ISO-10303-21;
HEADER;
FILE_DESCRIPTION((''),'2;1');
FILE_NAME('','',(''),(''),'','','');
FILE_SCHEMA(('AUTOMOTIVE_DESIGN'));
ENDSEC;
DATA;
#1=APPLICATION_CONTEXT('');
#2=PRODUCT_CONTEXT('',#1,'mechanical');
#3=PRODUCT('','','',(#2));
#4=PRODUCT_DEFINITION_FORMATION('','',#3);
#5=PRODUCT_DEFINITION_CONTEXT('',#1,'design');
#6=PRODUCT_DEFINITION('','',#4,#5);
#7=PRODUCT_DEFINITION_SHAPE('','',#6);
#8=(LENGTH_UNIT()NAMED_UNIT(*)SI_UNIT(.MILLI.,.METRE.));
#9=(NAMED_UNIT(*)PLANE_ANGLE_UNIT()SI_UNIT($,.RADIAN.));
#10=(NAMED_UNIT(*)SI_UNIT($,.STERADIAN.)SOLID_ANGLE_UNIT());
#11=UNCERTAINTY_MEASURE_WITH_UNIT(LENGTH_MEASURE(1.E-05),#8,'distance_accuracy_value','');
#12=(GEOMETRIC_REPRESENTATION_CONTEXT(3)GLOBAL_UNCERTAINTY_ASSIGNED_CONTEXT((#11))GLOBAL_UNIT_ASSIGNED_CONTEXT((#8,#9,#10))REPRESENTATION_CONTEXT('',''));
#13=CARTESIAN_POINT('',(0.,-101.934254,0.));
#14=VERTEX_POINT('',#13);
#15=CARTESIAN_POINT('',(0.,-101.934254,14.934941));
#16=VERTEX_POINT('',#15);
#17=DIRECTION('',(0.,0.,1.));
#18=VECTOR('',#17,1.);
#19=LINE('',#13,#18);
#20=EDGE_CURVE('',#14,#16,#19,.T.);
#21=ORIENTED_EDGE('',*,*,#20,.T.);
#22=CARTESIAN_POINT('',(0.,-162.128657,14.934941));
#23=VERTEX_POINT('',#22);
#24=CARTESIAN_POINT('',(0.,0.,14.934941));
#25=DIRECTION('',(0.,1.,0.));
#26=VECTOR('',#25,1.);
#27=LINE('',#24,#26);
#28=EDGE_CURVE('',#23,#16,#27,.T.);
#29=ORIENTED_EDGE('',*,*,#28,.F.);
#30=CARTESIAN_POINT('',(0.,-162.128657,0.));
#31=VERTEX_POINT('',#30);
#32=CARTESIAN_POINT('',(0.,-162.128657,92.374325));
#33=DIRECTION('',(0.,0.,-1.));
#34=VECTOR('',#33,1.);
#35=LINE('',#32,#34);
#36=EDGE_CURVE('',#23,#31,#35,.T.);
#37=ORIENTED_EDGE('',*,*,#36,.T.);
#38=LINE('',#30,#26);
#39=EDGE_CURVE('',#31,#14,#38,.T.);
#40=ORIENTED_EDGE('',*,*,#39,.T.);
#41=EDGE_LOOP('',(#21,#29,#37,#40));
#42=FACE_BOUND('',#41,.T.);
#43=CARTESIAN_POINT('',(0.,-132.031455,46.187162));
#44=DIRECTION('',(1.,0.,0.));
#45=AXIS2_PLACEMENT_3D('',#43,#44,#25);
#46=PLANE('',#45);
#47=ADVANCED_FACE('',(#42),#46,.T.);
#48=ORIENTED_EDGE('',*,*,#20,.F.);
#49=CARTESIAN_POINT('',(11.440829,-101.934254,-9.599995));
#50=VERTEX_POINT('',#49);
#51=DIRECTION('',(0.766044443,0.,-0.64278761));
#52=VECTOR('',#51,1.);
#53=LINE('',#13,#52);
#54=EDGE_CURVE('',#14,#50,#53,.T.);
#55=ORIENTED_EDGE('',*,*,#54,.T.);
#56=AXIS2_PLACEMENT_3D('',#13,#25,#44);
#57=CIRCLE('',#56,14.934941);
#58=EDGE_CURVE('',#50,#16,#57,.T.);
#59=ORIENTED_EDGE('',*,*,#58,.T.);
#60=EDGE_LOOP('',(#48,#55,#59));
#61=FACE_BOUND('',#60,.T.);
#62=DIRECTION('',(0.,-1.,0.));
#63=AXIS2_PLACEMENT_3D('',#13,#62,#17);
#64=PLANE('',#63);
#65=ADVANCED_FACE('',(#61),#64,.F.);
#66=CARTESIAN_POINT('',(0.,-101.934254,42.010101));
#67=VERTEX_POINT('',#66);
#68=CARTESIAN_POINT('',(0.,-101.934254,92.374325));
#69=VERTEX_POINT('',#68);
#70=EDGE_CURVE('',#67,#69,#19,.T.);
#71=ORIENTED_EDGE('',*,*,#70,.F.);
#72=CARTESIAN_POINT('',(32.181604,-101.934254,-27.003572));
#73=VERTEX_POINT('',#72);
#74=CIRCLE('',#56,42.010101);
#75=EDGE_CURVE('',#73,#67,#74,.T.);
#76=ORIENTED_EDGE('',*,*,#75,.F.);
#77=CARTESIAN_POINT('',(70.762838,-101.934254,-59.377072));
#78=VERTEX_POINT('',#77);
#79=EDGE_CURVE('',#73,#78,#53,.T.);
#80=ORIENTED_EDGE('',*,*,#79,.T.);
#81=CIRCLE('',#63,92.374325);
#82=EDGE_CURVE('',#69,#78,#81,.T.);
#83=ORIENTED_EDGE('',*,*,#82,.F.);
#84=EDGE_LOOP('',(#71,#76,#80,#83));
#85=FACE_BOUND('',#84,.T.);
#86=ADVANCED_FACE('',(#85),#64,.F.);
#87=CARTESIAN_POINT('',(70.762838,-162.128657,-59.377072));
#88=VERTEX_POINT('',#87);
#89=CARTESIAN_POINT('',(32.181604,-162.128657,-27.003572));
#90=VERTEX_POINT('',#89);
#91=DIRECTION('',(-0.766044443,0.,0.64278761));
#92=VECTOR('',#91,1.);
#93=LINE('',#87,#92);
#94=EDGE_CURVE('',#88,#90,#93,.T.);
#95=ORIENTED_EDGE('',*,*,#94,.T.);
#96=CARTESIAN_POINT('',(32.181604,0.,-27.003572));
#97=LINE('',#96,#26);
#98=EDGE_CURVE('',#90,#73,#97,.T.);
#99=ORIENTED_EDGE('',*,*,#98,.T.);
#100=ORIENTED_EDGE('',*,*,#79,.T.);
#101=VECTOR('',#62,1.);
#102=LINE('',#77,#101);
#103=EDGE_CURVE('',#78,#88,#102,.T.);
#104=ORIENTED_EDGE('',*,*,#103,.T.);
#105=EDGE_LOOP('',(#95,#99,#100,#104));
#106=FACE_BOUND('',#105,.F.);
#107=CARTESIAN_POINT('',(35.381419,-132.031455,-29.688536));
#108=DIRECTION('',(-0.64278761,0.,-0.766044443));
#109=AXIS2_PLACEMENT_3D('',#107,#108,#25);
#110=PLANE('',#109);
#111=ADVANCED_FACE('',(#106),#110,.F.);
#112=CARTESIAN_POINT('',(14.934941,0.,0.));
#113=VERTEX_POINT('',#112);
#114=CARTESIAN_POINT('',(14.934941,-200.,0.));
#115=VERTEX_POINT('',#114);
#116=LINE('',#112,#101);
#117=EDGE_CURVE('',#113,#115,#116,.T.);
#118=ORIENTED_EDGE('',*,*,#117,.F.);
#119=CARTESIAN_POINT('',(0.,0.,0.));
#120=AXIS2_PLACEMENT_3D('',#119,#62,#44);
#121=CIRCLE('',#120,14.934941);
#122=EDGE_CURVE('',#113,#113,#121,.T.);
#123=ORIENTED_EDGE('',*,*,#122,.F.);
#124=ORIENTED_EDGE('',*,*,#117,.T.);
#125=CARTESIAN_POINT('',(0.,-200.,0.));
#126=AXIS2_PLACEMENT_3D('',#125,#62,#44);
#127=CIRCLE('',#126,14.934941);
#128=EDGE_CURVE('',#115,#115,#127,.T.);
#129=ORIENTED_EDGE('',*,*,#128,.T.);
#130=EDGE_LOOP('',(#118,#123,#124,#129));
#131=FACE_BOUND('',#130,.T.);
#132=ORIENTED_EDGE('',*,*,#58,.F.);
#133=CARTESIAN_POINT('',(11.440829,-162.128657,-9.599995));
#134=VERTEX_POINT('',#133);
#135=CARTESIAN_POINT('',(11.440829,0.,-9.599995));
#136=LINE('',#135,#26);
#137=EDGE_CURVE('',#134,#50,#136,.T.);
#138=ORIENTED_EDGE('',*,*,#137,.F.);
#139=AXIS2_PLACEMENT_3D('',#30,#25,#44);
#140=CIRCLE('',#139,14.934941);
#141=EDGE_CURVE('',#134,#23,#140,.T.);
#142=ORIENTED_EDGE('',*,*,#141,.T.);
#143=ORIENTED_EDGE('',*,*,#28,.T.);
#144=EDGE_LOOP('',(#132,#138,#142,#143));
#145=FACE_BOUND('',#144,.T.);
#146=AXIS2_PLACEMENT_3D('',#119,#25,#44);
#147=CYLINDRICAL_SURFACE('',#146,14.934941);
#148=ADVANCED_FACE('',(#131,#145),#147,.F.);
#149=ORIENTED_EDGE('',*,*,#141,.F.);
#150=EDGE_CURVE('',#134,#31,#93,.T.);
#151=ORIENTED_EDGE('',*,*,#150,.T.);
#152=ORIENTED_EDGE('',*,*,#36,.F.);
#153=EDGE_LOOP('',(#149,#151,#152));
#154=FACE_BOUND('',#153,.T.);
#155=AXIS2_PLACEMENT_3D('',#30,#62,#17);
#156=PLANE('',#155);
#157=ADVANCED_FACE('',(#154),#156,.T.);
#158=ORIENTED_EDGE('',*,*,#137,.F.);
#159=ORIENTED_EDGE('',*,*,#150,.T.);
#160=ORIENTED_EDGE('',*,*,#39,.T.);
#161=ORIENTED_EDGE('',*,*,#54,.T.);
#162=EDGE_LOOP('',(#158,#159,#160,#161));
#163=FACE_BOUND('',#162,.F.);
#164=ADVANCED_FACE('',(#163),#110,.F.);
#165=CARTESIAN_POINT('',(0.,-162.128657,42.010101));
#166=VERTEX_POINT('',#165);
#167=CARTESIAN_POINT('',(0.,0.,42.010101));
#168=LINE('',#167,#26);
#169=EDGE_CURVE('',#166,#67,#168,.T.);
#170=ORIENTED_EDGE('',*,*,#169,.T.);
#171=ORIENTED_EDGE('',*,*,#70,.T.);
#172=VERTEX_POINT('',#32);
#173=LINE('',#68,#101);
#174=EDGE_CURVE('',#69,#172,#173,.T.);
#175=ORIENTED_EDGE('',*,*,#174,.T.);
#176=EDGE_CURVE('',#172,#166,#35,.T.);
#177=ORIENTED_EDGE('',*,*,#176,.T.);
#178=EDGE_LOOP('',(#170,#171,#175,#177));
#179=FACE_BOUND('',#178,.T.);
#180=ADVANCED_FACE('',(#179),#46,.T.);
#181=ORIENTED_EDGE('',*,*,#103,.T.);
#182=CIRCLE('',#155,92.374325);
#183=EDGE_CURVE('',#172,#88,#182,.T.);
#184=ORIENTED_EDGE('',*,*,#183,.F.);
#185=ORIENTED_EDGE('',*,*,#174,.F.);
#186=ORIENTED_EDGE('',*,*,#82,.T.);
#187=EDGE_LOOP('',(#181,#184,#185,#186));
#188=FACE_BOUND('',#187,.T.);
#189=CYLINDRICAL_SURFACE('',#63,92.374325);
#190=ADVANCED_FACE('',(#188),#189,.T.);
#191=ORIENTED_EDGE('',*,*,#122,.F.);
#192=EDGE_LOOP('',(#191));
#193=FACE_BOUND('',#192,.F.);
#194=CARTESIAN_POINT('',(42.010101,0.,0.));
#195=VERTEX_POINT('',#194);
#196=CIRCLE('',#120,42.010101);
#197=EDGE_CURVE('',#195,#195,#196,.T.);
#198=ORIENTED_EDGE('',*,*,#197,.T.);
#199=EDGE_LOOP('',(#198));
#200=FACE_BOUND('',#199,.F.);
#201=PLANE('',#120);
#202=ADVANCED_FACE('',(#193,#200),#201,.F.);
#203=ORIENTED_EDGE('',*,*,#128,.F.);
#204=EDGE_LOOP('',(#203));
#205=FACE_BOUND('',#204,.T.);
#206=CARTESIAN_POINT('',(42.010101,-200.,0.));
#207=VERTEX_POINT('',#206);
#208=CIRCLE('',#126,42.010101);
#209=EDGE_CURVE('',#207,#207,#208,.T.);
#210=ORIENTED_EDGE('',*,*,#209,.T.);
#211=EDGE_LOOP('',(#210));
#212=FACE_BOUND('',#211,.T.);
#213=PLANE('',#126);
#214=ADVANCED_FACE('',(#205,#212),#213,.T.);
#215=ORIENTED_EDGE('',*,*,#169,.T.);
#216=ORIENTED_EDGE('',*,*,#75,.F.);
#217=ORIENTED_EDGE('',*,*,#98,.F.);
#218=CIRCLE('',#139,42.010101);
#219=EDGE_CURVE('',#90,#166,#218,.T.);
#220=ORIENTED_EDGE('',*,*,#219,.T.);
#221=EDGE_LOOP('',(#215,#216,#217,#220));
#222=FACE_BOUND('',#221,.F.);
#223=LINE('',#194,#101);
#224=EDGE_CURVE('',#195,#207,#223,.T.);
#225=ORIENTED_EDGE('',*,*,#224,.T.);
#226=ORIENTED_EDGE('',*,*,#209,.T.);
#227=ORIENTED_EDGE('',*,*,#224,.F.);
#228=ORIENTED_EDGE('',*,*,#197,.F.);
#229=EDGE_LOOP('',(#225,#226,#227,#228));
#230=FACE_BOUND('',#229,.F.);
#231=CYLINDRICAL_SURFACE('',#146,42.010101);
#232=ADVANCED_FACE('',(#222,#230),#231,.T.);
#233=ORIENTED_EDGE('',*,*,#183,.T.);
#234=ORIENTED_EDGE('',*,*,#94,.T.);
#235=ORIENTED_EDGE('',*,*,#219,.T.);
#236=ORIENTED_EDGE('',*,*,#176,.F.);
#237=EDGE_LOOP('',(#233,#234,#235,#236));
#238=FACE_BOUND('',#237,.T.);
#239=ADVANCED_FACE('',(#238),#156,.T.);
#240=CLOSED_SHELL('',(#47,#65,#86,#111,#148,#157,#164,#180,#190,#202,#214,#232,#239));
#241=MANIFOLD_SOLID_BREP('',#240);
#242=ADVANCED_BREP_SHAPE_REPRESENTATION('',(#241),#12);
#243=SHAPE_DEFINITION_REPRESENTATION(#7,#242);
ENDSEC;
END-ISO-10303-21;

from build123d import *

# Parameters (mm, degrees)
F0_R     = 42.010101
F0_R_2   = 14.934941
F1_DEPTH = 200
F3_ANGLE = 230


with BuildPart() as f1:
    # F0 (on Front) → F1 (new body)
    with BuildSketch(Plane.XZ):
        Circle(F0_R)
        Circle(F0_R_2, mode=Mode.SUBTRACT)
    extrude(amount=F1_DEPTH)

    # F2 (on Right) → F3 (revolve)
    with BuildSketch(Plane.YZ):
        Polygon((-162.128657, 0), (-101.934254, 0), (-101.934254, 63.503705), (-101.934254, 92.374325), (-162.128657, 92.374325), align=None)
    revolve(axis=Axis((0, -132.031456, 0), (0, -1, 0)), revolution_arc=F3_ANGLE)


solid = f1.part
